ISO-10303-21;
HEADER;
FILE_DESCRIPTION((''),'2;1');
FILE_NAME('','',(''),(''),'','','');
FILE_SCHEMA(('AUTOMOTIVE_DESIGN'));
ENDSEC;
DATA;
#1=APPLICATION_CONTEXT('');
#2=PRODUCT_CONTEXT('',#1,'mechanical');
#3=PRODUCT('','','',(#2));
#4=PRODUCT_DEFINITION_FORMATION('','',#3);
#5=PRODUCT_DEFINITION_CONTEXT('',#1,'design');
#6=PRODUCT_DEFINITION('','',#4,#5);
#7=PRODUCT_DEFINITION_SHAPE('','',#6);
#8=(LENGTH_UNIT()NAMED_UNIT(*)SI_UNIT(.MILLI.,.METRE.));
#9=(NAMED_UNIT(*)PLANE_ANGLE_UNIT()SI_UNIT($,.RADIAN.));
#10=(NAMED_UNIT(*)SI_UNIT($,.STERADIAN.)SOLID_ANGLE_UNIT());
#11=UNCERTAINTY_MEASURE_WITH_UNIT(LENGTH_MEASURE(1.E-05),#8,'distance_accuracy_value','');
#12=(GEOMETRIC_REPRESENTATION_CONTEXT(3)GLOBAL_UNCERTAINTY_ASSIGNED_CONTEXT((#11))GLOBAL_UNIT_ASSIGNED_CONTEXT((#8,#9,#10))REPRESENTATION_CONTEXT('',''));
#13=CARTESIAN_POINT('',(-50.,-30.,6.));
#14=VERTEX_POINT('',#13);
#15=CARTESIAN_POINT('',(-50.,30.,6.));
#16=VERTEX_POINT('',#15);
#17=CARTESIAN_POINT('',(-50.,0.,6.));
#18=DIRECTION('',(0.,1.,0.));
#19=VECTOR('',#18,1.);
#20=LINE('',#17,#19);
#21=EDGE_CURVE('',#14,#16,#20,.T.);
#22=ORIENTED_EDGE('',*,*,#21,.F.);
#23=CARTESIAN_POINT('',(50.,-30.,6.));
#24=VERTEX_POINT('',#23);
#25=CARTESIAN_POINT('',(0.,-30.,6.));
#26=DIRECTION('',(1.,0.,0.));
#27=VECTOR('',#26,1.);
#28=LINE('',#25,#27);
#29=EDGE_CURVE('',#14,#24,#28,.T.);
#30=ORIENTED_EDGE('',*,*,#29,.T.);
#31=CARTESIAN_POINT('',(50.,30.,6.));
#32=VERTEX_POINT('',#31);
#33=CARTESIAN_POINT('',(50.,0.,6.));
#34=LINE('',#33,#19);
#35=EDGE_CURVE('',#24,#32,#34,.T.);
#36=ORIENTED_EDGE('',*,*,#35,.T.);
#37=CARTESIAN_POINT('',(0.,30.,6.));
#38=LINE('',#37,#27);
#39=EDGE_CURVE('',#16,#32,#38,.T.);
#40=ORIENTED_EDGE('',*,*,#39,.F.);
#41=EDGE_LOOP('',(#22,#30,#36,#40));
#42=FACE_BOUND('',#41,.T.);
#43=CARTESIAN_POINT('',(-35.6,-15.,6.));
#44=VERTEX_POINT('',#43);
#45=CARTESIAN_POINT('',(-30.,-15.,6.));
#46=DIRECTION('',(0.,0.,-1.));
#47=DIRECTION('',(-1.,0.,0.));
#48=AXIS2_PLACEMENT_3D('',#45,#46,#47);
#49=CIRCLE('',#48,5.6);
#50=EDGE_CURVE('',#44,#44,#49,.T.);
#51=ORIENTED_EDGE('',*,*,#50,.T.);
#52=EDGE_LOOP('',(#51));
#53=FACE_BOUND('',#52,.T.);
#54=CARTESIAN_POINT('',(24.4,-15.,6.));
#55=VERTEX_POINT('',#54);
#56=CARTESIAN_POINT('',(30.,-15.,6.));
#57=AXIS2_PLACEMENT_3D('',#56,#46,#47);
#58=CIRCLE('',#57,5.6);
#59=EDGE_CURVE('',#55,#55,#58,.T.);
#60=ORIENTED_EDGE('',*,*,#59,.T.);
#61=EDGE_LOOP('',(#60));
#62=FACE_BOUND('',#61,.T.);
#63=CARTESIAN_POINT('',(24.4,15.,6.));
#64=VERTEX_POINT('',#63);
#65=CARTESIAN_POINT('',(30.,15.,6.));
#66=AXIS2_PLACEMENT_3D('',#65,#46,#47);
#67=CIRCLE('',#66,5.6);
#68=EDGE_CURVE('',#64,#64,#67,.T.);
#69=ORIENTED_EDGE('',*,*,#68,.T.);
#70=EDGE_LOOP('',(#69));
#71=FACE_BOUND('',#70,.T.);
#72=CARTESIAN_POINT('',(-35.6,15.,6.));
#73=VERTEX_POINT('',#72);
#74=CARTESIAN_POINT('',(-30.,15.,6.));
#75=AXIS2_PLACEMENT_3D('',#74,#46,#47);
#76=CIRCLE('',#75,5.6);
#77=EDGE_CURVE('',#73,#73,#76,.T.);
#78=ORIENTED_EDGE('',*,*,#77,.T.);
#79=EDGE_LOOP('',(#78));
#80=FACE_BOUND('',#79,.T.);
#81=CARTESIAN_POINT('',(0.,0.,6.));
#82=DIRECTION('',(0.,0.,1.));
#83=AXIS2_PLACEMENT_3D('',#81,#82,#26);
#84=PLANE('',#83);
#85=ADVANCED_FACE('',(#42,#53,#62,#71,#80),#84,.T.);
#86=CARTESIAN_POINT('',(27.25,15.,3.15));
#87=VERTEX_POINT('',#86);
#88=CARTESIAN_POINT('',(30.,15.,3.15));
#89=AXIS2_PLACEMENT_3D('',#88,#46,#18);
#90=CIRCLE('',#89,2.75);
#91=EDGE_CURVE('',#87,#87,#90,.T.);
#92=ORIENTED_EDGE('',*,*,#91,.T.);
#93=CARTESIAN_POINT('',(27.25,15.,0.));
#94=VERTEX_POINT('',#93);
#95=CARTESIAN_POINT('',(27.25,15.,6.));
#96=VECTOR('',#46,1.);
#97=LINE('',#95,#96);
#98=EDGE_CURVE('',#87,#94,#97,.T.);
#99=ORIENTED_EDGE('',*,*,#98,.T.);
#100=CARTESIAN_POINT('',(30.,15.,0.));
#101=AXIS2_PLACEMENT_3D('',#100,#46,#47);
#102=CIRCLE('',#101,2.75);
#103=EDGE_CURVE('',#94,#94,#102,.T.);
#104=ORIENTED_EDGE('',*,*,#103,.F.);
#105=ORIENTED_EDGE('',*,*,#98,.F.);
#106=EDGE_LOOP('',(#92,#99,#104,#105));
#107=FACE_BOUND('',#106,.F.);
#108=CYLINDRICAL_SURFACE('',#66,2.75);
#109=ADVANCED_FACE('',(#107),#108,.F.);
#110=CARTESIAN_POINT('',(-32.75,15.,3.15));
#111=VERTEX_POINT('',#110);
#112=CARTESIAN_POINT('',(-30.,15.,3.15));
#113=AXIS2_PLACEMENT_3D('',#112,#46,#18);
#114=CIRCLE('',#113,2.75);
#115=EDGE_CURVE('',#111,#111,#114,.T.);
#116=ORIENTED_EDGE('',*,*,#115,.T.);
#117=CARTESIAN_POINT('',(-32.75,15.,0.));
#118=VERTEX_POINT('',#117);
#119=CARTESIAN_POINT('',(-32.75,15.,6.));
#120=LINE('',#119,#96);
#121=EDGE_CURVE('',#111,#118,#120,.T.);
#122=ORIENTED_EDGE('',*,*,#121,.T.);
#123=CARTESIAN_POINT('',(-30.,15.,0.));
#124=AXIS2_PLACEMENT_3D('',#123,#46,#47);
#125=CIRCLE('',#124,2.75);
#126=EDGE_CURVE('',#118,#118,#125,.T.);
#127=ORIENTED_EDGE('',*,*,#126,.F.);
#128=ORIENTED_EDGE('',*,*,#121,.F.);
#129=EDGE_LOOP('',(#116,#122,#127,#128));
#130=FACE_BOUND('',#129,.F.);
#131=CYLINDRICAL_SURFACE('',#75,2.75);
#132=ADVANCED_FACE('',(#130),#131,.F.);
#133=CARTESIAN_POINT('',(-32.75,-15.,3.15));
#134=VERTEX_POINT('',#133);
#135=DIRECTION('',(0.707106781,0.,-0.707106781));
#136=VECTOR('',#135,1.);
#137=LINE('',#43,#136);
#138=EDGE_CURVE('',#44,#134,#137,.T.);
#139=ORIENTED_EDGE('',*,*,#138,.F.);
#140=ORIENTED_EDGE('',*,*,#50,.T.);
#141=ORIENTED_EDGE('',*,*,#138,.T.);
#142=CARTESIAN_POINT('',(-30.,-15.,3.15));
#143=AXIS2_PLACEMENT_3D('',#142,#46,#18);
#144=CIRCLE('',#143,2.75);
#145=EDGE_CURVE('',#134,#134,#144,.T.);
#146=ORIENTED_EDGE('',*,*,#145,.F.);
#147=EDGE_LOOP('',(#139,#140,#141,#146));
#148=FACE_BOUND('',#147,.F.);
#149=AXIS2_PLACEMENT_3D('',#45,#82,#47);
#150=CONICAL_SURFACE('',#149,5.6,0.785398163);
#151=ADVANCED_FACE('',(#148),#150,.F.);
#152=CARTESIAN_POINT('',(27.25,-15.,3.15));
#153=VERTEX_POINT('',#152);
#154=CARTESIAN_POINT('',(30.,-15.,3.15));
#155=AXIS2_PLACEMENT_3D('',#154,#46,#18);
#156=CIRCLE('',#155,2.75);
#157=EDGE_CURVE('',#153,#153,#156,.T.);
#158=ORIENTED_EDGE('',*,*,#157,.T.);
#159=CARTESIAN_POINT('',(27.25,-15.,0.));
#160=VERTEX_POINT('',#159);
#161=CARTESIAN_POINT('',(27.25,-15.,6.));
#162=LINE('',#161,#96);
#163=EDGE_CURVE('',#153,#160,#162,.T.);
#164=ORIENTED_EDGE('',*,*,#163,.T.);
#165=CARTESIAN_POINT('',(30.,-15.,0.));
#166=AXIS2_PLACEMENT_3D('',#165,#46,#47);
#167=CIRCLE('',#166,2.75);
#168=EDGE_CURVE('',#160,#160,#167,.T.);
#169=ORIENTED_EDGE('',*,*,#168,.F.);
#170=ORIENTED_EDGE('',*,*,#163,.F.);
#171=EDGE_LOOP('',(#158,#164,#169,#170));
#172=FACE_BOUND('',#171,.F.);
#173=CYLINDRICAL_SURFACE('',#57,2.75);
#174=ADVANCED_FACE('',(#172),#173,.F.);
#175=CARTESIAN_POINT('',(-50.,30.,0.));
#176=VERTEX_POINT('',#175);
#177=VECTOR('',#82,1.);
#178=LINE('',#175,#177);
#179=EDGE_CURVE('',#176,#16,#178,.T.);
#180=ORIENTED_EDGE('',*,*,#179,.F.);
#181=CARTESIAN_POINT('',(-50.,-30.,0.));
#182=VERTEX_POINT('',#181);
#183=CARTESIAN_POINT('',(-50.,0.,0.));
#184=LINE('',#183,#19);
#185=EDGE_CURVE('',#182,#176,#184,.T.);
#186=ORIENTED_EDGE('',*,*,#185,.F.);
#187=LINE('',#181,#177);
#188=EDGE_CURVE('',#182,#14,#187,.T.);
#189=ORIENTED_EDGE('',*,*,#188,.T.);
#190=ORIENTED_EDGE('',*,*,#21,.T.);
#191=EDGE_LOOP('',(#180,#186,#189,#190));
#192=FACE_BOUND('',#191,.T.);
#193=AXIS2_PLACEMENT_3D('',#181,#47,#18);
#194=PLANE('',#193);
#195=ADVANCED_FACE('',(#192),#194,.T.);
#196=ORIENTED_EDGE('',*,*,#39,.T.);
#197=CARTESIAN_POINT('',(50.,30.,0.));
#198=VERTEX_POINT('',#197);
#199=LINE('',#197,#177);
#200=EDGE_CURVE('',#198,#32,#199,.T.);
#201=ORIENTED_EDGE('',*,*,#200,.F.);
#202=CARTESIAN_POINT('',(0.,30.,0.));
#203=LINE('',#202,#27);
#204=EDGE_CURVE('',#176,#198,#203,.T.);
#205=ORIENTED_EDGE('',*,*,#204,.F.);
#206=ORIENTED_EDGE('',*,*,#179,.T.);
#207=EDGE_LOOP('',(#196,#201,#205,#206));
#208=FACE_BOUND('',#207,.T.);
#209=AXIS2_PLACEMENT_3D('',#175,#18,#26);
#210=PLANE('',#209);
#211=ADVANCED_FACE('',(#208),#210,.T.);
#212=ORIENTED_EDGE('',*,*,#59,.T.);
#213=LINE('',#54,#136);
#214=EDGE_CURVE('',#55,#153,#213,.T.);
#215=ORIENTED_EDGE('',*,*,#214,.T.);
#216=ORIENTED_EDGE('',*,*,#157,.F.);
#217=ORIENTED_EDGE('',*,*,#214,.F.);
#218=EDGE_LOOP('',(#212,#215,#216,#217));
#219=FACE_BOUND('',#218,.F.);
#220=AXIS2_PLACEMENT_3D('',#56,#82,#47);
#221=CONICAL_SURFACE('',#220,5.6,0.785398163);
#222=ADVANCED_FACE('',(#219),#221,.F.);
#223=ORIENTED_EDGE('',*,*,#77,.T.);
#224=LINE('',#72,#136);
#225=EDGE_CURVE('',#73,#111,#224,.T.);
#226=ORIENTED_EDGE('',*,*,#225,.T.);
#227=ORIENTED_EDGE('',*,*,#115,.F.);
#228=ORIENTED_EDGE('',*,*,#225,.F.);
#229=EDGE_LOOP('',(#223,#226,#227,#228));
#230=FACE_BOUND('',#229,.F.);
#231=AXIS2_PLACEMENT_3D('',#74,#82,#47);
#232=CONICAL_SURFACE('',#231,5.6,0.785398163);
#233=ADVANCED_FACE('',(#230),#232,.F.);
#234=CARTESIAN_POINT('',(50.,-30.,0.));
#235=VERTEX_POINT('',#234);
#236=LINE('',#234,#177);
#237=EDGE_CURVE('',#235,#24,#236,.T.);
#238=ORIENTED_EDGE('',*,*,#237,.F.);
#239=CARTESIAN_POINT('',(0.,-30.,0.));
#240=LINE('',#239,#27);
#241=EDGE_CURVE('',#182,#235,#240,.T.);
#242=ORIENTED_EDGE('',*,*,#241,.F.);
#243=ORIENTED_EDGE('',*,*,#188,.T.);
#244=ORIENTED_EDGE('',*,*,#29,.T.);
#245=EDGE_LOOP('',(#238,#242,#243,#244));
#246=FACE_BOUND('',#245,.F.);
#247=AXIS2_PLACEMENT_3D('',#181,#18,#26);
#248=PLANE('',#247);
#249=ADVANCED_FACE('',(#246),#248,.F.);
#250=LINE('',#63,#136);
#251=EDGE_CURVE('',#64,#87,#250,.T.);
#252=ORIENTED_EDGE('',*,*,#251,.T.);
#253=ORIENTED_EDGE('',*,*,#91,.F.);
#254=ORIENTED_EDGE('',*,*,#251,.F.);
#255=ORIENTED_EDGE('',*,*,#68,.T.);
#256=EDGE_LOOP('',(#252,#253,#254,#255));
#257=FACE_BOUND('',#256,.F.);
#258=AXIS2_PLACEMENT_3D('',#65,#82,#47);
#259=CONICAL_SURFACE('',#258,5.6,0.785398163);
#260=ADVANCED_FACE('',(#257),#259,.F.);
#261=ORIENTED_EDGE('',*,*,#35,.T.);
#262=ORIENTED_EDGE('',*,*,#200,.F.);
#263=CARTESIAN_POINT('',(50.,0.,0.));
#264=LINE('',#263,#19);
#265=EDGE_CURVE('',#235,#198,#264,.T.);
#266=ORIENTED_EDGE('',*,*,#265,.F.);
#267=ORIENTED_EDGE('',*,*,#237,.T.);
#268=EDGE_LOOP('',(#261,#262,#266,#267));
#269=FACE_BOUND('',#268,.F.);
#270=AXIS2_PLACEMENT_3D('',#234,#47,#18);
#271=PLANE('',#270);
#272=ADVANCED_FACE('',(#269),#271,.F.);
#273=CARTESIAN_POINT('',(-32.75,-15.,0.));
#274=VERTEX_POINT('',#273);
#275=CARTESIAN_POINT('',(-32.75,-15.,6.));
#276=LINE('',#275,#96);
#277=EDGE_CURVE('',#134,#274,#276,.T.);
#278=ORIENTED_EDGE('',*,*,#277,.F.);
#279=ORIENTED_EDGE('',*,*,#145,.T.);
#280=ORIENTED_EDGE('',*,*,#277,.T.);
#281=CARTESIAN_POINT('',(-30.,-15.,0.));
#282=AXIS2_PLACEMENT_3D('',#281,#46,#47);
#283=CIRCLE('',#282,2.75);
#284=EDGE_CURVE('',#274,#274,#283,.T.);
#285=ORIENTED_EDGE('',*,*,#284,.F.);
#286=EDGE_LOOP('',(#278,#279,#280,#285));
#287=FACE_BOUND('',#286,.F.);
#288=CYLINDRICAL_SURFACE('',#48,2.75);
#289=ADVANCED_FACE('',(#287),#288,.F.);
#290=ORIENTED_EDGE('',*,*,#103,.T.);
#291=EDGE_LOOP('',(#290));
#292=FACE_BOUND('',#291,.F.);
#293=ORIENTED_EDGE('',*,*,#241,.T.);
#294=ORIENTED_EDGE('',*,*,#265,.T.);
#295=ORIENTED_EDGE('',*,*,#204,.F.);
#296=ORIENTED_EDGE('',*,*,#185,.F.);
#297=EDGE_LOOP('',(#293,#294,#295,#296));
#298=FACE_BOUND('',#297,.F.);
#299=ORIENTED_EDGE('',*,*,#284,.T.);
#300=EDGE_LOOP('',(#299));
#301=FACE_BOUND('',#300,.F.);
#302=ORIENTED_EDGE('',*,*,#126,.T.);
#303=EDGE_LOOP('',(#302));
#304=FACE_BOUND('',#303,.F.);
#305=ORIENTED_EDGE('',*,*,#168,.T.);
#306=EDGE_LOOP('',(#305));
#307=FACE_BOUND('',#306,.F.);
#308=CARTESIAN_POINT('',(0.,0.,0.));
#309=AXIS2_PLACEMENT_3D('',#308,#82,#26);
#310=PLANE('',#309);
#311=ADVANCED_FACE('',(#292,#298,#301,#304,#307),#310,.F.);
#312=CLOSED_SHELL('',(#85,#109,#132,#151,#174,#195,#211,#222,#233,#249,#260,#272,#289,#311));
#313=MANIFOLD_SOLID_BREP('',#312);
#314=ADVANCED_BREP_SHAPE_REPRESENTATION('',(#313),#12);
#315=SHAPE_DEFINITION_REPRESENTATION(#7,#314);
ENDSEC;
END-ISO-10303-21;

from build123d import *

# Parameters (mm, degrees)
F0_W           = 100
F0_H           = 60
F1_DEPTH       = 6
F3_D           = 5.5
F3_CSINK_D     = 11.2
F3_CSINK_ANGLE = 90


with BuildPart() as f1:
    # F0 (on Top) → F1 (new body)
    with BuildSketch(Plane.XY):
        Rectangle(F0_W, F0_H)
    extrude(amount=F1_DEPTH)

    # F3 (through all)
    with Locations(Plane.XY.offset(6)):
        with Locations((-30, -15), (-30, 15), (30, -15), (30, 15)):
            CounterSinkHole(F3_D / 2, F3_CSINK_D / 2, counter_sink_angle=F3_CSINK_ANGLE)


solid = f1.part
